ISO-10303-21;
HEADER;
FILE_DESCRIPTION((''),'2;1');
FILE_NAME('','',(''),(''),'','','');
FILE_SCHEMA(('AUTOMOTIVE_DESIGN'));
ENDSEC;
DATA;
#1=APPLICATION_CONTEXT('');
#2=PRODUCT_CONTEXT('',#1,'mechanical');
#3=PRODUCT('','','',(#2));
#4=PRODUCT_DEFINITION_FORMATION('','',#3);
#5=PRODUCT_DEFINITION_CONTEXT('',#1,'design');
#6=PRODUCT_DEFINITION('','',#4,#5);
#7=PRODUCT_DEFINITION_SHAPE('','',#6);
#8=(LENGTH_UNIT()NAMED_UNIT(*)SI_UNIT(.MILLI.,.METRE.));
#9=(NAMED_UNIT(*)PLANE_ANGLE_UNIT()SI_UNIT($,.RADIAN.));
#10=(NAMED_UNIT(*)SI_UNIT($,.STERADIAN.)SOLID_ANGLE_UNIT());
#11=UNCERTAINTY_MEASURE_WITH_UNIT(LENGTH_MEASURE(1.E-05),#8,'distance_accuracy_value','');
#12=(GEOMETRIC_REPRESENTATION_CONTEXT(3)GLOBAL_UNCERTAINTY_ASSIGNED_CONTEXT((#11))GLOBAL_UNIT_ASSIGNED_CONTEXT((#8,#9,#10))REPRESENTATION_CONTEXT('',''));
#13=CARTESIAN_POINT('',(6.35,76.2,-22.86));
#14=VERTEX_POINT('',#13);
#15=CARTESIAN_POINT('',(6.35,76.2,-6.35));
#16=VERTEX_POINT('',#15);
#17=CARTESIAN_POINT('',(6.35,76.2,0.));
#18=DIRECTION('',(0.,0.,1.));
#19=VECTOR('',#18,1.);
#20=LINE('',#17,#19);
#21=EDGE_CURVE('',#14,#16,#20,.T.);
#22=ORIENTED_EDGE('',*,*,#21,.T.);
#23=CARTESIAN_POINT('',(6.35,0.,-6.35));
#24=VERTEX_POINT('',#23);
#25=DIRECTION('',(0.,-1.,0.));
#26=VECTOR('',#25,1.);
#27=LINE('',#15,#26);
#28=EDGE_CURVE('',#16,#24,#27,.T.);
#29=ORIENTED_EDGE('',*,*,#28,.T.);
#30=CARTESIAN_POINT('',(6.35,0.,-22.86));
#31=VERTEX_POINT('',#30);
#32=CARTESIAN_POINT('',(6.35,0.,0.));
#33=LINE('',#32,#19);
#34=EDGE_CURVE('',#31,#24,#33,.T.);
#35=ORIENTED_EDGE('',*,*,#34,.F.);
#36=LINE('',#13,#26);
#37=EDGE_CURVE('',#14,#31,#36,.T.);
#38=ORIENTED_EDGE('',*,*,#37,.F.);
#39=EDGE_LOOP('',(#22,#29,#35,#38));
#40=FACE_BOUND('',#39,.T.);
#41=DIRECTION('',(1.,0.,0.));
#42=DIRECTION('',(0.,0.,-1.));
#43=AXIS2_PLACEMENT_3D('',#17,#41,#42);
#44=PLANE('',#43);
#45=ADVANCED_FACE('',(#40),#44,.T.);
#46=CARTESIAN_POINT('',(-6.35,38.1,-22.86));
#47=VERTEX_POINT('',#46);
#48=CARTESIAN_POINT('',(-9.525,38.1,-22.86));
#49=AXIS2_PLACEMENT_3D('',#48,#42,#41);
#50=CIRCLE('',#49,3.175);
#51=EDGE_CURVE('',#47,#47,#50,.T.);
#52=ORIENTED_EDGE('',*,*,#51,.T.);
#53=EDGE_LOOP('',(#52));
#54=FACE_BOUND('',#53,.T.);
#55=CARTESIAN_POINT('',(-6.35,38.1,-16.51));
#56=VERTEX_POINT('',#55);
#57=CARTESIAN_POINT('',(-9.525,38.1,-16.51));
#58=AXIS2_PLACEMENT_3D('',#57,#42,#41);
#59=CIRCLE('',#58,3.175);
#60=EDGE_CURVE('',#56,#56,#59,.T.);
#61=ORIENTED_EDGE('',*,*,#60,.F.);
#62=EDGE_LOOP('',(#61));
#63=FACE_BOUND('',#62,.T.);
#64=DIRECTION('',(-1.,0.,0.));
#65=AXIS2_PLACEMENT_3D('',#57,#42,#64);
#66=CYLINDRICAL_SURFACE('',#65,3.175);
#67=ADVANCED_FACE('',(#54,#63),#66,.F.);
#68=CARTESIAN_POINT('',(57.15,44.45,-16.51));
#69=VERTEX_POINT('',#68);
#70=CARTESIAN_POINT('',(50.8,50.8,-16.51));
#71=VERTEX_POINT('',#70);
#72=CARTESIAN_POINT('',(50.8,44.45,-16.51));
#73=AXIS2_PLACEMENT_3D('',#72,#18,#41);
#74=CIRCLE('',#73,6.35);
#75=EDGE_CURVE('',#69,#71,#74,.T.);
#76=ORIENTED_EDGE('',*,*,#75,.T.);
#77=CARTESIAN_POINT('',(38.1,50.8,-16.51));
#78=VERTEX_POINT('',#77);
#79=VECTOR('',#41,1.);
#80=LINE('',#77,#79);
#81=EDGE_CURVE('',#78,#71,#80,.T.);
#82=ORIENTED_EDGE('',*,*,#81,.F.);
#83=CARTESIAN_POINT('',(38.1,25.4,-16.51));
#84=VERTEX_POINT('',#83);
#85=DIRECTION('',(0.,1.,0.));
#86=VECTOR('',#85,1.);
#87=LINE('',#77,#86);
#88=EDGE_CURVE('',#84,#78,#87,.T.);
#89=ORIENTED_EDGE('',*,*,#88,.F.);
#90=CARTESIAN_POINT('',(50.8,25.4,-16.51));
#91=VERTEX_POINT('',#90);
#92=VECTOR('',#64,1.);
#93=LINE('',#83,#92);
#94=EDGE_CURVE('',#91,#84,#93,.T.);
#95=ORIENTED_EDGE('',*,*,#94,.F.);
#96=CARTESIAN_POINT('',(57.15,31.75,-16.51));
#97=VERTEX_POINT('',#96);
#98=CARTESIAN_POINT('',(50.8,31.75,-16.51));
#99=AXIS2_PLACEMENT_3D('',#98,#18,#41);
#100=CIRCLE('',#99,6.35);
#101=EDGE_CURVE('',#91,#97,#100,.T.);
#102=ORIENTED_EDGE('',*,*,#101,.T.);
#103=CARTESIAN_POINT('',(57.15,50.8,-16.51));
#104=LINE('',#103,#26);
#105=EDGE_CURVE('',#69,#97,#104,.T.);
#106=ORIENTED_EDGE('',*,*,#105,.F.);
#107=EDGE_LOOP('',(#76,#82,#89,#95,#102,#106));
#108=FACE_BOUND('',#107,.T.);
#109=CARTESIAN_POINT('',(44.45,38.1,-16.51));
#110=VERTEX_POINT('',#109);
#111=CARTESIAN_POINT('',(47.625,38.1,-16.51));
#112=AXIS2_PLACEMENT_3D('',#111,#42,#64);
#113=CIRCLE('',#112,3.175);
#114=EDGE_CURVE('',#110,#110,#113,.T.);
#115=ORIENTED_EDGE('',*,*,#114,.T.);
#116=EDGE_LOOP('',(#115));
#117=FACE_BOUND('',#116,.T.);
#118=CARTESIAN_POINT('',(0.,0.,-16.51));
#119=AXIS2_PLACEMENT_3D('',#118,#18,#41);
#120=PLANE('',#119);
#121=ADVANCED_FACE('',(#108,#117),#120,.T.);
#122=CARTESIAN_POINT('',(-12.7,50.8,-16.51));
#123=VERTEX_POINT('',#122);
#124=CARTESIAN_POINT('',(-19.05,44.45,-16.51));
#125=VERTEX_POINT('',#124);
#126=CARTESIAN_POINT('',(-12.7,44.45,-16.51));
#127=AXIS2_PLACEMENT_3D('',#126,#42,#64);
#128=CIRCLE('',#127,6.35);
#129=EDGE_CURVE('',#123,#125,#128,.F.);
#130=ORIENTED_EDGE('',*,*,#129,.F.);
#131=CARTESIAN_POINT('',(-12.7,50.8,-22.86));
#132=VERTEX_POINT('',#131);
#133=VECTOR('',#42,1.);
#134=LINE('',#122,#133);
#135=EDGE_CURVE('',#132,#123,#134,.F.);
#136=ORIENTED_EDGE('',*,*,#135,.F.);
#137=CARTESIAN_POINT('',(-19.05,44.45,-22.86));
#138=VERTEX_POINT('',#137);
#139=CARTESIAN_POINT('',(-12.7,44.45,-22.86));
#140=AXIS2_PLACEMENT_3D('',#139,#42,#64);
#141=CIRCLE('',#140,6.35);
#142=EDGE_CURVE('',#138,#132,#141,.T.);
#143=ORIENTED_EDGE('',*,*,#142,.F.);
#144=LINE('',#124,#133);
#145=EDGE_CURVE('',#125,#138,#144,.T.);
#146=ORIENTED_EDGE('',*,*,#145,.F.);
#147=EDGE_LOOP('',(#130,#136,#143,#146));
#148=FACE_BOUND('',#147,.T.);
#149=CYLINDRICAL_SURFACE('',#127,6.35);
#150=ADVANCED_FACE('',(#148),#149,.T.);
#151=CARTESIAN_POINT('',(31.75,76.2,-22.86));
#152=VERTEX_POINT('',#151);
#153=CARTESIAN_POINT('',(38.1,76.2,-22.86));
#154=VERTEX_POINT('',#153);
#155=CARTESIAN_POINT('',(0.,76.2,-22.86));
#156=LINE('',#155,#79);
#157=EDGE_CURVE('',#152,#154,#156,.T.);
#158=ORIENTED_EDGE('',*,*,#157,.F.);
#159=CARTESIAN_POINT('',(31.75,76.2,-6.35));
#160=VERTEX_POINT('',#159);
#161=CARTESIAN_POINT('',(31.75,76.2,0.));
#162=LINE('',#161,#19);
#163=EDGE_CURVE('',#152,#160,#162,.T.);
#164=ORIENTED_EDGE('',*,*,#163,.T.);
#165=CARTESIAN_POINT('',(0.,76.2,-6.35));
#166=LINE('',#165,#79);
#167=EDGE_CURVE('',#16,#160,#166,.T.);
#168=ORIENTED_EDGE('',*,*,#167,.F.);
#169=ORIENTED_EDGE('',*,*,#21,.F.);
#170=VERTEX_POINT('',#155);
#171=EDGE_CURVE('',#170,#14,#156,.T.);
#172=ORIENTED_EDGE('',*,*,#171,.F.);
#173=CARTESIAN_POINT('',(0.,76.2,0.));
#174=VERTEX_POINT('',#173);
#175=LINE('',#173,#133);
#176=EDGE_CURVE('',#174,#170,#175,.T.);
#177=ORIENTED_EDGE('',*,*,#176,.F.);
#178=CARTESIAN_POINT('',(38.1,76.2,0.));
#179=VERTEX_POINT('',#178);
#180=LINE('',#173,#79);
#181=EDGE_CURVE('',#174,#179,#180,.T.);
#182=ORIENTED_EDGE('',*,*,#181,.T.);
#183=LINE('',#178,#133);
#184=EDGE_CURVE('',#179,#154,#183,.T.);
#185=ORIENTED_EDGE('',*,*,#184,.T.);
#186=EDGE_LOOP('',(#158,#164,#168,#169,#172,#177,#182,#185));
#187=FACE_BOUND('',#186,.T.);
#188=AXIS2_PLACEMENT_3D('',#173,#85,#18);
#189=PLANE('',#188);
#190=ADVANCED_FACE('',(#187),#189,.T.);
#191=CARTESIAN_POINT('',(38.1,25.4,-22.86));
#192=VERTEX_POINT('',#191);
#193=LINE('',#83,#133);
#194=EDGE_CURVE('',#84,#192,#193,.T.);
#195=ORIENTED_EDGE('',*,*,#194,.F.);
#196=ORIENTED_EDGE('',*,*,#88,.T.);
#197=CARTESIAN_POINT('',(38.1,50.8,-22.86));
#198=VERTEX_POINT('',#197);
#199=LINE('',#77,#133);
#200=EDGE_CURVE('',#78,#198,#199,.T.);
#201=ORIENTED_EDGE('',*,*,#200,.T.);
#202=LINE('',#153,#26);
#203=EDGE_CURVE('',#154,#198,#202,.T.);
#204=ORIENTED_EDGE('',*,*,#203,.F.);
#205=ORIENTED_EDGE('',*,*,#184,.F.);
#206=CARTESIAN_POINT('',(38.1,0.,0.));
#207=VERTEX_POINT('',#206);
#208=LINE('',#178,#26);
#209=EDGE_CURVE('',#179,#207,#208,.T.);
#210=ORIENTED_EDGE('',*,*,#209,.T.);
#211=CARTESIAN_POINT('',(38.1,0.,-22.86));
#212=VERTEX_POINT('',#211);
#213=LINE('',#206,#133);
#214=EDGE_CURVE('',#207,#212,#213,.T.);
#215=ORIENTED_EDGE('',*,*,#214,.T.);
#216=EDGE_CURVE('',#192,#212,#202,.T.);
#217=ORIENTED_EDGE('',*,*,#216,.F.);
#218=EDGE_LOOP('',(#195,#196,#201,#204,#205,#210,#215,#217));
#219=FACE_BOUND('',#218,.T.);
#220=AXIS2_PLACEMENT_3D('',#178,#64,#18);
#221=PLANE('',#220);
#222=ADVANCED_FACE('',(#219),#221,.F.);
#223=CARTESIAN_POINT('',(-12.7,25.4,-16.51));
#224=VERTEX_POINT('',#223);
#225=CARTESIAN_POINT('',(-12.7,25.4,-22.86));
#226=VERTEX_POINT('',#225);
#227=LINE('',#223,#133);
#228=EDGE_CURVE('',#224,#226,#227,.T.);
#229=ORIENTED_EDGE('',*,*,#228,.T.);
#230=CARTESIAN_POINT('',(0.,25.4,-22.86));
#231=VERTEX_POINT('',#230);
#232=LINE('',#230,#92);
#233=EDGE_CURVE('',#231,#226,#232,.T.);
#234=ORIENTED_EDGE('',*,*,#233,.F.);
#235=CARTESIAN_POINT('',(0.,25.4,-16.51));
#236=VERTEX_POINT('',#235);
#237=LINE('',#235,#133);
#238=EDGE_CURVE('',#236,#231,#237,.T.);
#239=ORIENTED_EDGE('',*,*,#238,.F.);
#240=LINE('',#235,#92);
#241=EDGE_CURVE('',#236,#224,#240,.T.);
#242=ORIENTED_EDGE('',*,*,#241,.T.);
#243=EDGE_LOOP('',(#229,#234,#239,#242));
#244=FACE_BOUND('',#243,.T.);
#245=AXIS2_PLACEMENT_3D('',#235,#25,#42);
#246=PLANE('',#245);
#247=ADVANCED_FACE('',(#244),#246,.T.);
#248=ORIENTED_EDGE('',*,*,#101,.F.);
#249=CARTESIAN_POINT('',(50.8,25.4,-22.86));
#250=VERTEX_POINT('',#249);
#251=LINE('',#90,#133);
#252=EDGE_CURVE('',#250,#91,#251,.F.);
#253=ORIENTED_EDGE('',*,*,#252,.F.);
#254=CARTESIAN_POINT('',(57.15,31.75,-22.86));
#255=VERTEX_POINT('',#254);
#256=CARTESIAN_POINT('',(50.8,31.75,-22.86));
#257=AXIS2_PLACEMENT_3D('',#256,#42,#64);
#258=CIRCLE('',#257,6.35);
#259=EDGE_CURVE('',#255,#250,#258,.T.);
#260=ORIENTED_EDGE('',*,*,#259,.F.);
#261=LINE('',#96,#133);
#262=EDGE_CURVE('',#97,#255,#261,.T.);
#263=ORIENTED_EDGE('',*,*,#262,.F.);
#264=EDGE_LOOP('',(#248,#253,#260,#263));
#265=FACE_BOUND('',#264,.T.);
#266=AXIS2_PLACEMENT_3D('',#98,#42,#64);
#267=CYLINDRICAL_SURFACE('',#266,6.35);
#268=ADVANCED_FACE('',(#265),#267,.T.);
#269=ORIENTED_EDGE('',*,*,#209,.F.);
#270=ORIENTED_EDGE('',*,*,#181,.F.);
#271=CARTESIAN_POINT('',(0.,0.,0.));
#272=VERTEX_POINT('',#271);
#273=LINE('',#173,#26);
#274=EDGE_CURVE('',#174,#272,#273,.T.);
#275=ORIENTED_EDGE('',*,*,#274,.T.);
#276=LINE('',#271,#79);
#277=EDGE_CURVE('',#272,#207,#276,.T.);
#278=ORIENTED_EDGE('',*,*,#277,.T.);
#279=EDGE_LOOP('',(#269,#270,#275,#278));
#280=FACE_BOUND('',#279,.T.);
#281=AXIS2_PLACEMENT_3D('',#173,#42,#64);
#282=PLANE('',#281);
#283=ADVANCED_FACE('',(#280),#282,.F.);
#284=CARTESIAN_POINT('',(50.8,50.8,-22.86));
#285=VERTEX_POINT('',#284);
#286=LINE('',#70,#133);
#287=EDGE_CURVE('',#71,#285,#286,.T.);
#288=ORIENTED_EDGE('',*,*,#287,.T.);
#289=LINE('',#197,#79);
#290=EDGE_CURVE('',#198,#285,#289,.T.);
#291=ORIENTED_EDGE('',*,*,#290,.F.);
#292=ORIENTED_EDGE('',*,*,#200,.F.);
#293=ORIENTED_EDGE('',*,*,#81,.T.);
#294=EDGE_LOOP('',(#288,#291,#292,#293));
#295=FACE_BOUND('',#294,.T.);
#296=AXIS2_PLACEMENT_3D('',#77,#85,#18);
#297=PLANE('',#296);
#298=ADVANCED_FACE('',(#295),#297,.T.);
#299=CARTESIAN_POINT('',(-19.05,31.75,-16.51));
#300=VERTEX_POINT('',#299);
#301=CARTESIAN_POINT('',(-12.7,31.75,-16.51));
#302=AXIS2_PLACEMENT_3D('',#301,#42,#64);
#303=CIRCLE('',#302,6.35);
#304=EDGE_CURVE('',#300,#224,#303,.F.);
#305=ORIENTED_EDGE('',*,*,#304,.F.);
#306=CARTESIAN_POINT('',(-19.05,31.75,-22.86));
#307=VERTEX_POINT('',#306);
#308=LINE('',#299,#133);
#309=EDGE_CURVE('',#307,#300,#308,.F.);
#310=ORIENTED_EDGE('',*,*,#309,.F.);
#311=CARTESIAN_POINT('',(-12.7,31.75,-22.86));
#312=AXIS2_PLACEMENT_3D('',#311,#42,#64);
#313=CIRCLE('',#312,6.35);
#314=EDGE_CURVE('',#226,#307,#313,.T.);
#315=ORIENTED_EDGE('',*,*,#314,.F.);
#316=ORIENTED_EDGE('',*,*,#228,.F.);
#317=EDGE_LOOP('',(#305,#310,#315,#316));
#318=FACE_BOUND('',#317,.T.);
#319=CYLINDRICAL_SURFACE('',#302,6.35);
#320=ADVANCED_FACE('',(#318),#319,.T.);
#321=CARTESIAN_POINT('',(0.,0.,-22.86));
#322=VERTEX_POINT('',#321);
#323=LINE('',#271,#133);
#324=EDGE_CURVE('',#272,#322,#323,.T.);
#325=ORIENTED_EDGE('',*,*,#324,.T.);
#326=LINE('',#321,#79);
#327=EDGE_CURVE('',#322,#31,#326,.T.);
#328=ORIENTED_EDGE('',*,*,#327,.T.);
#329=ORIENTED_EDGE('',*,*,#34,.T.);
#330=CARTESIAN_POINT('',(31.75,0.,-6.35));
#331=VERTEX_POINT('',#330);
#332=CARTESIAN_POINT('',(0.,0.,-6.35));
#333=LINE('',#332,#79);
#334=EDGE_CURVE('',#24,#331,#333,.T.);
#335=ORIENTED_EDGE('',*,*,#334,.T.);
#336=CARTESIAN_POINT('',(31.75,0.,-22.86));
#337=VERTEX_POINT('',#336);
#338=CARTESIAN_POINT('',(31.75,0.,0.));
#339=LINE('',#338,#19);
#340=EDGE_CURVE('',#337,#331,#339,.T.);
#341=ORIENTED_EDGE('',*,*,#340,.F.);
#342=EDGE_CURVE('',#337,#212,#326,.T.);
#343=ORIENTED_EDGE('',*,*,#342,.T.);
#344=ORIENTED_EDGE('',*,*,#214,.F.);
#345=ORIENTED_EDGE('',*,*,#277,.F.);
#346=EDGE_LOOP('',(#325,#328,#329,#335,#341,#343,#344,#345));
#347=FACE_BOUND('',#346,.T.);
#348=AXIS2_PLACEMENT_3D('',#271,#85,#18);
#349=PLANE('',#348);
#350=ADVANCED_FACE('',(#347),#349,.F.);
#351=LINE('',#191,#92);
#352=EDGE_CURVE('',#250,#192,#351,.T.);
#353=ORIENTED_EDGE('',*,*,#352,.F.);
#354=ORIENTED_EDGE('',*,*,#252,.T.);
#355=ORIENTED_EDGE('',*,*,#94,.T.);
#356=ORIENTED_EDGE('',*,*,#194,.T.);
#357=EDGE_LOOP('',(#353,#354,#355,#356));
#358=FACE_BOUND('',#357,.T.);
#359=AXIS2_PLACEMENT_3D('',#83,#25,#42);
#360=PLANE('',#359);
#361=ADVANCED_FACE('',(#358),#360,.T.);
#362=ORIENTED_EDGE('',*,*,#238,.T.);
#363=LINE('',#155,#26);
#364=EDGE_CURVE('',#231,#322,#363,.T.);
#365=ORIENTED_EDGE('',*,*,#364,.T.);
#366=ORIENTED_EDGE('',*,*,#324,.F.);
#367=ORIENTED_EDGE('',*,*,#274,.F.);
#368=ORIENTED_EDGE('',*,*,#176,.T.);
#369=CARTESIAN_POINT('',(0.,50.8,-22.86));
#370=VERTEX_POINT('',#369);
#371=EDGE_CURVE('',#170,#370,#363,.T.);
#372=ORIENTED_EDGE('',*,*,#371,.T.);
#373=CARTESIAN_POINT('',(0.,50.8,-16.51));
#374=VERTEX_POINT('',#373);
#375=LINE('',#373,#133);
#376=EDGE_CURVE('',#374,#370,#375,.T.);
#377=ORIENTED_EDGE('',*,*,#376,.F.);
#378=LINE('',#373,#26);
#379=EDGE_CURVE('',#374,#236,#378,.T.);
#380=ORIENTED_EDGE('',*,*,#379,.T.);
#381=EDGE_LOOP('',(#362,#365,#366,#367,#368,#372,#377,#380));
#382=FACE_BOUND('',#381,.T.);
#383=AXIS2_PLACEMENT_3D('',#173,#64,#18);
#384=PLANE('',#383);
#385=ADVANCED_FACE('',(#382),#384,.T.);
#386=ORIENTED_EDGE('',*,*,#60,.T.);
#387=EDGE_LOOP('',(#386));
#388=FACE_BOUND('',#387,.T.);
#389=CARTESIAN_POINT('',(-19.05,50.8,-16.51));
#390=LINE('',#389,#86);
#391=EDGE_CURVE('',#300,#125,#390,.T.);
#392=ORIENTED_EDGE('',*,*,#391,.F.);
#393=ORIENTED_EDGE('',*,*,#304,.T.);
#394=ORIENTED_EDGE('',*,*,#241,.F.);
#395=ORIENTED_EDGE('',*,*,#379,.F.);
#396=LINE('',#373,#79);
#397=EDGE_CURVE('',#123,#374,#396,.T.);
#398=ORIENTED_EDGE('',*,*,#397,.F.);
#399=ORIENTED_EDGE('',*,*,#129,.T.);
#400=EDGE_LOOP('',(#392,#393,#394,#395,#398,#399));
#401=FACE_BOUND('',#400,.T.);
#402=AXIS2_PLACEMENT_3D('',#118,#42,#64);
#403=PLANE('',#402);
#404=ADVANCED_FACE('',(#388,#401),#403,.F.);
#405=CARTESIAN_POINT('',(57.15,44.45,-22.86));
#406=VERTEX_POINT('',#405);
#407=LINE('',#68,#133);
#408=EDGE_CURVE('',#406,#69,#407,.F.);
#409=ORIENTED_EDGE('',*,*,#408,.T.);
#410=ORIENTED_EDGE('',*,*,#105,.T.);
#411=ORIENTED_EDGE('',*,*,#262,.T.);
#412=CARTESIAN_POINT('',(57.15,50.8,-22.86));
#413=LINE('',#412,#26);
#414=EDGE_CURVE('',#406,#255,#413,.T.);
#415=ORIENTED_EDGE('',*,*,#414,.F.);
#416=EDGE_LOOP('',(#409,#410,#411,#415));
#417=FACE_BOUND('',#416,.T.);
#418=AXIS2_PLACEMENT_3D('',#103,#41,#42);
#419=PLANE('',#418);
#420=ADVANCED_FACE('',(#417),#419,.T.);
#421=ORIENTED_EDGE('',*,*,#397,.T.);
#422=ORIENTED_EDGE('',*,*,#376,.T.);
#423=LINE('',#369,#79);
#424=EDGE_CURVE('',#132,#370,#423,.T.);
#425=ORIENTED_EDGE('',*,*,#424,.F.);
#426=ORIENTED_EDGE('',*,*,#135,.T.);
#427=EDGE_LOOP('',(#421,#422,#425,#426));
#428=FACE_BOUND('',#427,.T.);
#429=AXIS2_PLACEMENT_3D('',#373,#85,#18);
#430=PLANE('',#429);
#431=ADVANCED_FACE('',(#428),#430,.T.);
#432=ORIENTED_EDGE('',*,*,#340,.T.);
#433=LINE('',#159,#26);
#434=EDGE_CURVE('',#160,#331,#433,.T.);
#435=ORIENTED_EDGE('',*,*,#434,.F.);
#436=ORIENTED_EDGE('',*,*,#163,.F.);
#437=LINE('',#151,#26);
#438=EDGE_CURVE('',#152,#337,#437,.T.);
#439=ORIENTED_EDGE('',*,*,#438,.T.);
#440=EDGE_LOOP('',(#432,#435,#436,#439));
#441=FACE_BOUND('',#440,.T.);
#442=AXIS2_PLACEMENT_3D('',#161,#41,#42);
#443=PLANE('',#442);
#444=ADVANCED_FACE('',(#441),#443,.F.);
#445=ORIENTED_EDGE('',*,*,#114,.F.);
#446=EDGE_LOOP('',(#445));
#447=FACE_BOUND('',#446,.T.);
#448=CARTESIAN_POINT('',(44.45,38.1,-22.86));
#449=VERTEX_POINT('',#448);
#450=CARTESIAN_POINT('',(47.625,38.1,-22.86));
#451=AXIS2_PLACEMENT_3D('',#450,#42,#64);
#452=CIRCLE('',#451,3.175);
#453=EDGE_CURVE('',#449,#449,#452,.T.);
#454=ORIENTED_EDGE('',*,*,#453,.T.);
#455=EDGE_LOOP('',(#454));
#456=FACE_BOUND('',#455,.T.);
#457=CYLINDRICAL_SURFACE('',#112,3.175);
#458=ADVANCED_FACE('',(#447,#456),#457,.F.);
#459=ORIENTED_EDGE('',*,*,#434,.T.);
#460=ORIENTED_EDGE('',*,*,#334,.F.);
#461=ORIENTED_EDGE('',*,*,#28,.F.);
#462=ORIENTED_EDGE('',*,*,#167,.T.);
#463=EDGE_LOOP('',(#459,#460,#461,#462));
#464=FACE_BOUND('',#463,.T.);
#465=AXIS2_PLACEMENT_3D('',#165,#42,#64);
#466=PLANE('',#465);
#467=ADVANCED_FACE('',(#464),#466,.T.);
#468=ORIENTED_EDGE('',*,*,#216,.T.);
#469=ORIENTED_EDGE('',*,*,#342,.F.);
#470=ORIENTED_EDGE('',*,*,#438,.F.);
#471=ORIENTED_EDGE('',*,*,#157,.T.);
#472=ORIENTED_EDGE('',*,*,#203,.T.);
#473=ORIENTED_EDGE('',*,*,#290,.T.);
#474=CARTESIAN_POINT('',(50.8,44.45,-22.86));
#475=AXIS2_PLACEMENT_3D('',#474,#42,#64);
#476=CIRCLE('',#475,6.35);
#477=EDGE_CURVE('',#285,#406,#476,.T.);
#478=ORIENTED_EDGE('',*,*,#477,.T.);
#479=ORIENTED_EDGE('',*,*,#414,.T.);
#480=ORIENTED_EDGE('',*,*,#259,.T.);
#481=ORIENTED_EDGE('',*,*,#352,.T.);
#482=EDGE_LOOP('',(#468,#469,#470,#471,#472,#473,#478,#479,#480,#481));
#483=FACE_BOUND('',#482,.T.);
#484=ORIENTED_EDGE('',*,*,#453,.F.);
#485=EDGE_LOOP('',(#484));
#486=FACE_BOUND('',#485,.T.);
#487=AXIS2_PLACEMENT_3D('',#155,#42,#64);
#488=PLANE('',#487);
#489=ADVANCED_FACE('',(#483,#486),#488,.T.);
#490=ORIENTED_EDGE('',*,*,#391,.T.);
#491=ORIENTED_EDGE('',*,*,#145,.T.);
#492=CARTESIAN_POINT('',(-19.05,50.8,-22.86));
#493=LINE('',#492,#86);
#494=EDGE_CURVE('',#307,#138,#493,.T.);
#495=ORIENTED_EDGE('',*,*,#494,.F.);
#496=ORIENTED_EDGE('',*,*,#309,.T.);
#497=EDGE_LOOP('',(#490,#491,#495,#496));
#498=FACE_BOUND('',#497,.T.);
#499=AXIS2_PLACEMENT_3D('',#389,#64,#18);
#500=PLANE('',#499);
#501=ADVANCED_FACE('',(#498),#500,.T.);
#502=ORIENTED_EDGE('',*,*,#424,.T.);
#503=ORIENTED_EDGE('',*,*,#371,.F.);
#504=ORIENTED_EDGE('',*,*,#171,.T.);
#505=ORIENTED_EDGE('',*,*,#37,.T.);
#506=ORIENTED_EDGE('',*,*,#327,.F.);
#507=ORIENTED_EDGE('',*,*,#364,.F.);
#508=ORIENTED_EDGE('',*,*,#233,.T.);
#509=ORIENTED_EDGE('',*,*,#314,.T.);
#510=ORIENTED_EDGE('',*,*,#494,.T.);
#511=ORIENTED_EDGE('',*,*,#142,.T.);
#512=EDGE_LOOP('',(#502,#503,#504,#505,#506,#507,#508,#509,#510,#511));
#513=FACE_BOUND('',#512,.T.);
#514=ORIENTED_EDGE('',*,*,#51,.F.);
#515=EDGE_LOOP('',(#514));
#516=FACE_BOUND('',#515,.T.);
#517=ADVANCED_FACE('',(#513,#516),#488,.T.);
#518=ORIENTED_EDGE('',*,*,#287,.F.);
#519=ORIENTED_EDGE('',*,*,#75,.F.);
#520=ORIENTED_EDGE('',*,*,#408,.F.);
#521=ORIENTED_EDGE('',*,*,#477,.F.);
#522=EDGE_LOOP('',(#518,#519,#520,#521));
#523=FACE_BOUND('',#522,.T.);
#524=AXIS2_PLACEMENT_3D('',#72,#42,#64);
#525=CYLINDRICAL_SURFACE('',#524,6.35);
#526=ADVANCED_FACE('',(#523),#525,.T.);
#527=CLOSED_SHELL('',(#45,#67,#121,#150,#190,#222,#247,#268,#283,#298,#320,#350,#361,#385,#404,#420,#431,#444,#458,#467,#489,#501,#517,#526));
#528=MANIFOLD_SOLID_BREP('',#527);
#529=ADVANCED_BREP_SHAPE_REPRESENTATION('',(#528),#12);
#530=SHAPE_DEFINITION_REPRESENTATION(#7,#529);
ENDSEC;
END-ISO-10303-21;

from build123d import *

# Parameters (mm, degrees)
BOSS_EXTRUDE1_DEPTH = 76.2
SKETCH3_R           = 2.5019
BOSS_EXTRUDE2_DEPTH = 6.35
SKETCH4_W           = 19.05
SKETCH4_H           = 25.4
SKETCH4_R           = 3.175
BOSS_EXTRUDE3_DEPTH = 6.35
FILLET1_R           = 6.35
CUT_EXTRUDE1_REACH  = 99.955


with BuildPart() as part:
    # Sketch2 → Boss-Extrude1 (new body)
    with BuildSketch(Plane(origin=(0, 0, 0), x_dir=(1, 0, 0), z_dir=(0, 1, 0))):
        Polygon((0, 22.86), (0, 0), (38.1, 0), (38.1, 22.86), (31.75, 22.86), (31.75, 6.35), (6.35, 6.35), (6.35, 22.86), align=None)
    extrude(amount=BOSS_EXTRUDE1_DEPTH)

    # Sketch3 → Boss-Extrude2 (add)
    with BuildSketch(Plane.XY):
        with BuildLine():
            Line((19.05, 50.8), (-19.05, 50.8))
            ThreePointArc((-19.05, 50.8), (-31.75, 38.1), (-19.05, 25.4))
            Line((-19.05, 25.4), (19.05, 25.4))
            ThreePointArc((19.05, 25.4), (31.75, 38.1), (19.05, 50.8))
        make_face()
        with Locations((-19.05, 38.1)):
            Circle(SKETCH3_R, mode=Mode.SUBTRACT)
    extrude(amount=-BOSS_EXTRUDE2_DEPTH)

    # Sketch4 → Boss-Extrude3 (add)
    # profile 1 of 2: a face of its own
    with BuildSketch(Plane(origin=(0, 0, -22.86), x_dir=(-1, 0, 0), z_dir=(0, 0, -1))):
        with Locations((-47.625, 38.1)):
            Rectangle(SKETCH4_W, SKETCH4_H)
        with Locations((-47.625, 38.1)):
            Circle(SKETCH4_R, mode=Mode.SUBTRACT)
    # profile 2 of 2: a face of its own
    with BuildSketch(Plane(origin=(0, 0, -22.86), x_dir=(-1, 0, 0), z_dir=(0, 0, -1))):
        with Locations((9.525, 38.1)):
            Rectangle(SKETCH4_W, SKETCH4_H)
        with Locations(Location((9.525, 38.1, 0), (0, 0, 180))):
            Circle(SKETCH4_R, mode=Mode.SUBTRACT)
    extrude(amount=-BOSS_EXTRUDE3_DEPTH)

    # Fillet1
    fillet1_edges = [part.edges().sort_by_distance(p)[0] for p in [
        (57.15, 25.4, -19.685),
        (57.15, 50.8, -19.685),
        (-19.05, 50.8, -19.685),
        (-19.05, 25.4, -19.685),
    ]]
    fillet(fillet1_edges, radius=FILLET1_R)

    # Sketch5 → Cut-Extrude1 (cut, up to next)
    with BuildSketch(Plane.XY, mode=Mode.PRIVATE) as cut_extrude1_sk1:
        with BuildLine():
            Line((-19.05, 25.4), (0, 25.4))
            Line((0, 25.4), (0, 50.8))
            Line((0, 50.8), (-19.05, 50.8))
            ThreePointArc((-19.05, 50.8), (-31.75, 38.1), (-19.05, 25.4))
        make_face()
    cut_extrude1_tool1 = extrude(cut_extrude1_sk1.sketch, amount=-CUT_EXTRUDE1_REACH, mode=Mode.PRIVATE) & part.part
    add(cut_extrude1_tool1.solids().sort_by_distance((-14.650694, 38.1, 0))[0], mode=Mode.SUBTRACT)


solid = part.part
